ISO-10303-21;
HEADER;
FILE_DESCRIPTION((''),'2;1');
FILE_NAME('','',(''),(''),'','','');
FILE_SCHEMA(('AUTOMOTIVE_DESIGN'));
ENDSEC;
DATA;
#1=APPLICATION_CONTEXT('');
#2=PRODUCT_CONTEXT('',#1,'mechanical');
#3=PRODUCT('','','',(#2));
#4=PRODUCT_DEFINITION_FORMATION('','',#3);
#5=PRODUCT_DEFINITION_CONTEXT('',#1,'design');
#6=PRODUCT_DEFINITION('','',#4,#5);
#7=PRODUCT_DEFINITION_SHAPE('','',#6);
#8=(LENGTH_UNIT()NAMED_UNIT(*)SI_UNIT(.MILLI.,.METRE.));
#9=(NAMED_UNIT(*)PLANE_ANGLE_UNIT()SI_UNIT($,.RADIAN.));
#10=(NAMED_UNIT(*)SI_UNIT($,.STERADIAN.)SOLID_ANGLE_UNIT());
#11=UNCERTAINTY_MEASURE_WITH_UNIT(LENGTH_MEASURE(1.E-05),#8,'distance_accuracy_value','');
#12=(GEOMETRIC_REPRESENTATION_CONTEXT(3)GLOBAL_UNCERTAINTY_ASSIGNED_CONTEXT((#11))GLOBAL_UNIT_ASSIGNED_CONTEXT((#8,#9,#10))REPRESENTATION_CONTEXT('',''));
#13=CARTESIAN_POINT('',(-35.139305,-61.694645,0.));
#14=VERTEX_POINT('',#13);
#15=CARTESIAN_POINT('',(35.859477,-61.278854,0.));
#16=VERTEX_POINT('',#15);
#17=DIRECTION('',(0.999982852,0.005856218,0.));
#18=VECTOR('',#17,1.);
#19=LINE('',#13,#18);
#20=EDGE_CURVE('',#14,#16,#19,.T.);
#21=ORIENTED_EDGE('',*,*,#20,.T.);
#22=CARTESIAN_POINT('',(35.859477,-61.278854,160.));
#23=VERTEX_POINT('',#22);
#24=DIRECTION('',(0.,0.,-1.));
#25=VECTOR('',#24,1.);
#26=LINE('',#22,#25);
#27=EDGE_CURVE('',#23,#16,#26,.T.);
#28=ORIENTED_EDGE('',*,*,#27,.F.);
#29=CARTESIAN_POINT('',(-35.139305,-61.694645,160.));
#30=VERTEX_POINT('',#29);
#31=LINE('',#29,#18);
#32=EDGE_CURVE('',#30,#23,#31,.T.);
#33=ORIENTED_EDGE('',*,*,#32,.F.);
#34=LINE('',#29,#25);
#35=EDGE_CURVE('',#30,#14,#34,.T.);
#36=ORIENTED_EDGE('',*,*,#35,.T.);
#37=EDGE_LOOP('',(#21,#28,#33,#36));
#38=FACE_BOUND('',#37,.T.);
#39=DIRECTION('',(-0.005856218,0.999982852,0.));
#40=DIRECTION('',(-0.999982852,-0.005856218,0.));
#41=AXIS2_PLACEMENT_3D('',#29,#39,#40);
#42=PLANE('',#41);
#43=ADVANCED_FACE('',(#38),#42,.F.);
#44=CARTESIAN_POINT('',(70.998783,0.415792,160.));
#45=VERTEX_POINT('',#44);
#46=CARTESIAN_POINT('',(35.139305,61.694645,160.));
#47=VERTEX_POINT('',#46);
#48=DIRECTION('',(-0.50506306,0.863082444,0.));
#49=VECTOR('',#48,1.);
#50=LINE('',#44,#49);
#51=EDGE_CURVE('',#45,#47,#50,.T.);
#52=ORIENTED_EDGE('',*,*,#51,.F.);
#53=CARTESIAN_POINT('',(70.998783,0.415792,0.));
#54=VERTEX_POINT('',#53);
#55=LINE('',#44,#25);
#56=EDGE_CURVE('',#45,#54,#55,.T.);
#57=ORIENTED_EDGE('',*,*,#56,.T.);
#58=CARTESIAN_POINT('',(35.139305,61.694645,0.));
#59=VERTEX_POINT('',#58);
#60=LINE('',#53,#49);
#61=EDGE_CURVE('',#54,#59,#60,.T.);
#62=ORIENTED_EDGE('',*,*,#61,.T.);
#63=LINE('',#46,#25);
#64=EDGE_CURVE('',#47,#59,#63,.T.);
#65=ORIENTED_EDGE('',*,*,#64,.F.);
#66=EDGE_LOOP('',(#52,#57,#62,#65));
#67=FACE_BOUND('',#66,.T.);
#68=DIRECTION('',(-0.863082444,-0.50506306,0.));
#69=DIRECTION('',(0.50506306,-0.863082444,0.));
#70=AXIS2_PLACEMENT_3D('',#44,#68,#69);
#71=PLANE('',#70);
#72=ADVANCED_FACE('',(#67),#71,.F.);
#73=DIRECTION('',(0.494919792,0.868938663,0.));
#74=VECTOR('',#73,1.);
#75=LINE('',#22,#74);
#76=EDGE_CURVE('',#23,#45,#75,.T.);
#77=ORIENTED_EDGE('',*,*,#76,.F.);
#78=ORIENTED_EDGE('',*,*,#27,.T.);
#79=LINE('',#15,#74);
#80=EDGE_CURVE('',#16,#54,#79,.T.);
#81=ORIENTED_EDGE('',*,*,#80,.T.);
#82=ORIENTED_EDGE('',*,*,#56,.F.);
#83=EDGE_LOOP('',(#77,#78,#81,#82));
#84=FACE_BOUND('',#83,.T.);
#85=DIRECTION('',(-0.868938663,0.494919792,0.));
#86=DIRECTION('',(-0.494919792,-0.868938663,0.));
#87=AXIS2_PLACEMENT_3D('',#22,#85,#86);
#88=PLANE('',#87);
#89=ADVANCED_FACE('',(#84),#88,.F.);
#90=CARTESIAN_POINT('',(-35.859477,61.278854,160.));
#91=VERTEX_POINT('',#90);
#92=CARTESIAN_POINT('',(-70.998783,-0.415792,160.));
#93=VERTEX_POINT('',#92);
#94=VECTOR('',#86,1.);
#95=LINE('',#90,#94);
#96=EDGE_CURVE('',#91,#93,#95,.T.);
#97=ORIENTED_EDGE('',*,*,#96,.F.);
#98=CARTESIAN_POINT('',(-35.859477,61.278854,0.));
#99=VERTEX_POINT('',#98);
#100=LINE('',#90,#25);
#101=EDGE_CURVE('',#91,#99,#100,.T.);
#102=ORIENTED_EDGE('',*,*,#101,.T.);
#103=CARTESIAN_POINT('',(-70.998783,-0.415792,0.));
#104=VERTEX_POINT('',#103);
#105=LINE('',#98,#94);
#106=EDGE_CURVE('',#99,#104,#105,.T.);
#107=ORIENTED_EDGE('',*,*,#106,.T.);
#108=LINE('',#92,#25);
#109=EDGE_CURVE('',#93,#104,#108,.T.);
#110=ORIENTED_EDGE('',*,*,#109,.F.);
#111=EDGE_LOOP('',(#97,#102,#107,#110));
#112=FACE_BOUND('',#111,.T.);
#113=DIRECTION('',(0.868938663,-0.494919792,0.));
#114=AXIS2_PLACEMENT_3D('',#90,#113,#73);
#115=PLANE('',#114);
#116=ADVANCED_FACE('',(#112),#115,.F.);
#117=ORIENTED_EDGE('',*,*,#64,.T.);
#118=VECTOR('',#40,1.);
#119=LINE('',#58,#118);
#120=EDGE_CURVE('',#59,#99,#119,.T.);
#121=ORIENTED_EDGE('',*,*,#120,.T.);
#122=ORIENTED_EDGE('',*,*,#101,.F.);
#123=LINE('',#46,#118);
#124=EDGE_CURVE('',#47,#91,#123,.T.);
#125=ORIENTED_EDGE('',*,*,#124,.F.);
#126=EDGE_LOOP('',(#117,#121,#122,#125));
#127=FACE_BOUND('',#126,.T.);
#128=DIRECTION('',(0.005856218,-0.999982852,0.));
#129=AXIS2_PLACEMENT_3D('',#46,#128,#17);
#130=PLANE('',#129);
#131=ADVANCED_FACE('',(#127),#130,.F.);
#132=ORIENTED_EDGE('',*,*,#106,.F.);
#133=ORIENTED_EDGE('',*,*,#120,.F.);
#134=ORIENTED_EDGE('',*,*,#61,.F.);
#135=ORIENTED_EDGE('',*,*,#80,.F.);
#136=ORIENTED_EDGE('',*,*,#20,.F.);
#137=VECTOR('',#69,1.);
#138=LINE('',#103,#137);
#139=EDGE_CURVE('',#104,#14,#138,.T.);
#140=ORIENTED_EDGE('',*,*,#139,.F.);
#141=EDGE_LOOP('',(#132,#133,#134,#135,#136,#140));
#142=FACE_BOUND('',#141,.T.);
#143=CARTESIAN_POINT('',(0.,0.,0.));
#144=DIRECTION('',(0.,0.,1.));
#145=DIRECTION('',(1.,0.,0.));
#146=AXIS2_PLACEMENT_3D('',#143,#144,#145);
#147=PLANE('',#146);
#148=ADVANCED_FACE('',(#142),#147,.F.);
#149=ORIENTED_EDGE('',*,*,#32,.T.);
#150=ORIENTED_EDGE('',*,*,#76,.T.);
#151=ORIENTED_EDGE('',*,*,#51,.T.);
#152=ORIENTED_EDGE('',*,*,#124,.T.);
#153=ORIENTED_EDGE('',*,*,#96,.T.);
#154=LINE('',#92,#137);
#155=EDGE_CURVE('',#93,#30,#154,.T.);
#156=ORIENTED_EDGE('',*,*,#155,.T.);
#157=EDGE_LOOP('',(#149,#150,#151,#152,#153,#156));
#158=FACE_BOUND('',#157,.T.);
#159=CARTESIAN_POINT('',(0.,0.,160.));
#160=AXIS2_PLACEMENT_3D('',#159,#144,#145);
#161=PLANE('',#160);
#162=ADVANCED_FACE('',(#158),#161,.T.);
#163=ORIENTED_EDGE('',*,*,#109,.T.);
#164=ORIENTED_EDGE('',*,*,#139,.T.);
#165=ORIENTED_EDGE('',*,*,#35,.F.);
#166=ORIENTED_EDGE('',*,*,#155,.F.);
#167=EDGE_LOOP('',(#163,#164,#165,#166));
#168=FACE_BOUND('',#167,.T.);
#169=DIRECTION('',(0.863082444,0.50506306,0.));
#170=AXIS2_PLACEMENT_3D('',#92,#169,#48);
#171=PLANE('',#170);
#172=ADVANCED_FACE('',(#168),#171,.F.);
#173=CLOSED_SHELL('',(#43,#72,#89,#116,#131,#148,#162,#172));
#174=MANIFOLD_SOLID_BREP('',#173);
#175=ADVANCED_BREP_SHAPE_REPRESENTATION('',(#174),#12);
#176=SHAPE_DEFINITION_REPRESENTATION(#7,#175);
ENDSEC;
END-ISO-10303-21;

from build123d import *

# Parameters (mm, degrees)
ESTRUSIONE_ESTRUSIONE1_DEPTH = 160


with BuildPart() as part:
    # Schizzo1 → Estrusione-Estrusione1 (new body)
    with BuildSketch(Plane.XY):
        Polygon((-35.859477256, 61.278853538), (-70.998782507, -0.415791501), (-35.139305251, -61.694645039), (35.859477256, -61.278853538), (70.998782507, 0.415791501), (35.139305251, 61.694645039), align=None)
    extrude(amount=ESTRUSIONE_ESTRUSIONE1_DEPTH)


solid = part.part
